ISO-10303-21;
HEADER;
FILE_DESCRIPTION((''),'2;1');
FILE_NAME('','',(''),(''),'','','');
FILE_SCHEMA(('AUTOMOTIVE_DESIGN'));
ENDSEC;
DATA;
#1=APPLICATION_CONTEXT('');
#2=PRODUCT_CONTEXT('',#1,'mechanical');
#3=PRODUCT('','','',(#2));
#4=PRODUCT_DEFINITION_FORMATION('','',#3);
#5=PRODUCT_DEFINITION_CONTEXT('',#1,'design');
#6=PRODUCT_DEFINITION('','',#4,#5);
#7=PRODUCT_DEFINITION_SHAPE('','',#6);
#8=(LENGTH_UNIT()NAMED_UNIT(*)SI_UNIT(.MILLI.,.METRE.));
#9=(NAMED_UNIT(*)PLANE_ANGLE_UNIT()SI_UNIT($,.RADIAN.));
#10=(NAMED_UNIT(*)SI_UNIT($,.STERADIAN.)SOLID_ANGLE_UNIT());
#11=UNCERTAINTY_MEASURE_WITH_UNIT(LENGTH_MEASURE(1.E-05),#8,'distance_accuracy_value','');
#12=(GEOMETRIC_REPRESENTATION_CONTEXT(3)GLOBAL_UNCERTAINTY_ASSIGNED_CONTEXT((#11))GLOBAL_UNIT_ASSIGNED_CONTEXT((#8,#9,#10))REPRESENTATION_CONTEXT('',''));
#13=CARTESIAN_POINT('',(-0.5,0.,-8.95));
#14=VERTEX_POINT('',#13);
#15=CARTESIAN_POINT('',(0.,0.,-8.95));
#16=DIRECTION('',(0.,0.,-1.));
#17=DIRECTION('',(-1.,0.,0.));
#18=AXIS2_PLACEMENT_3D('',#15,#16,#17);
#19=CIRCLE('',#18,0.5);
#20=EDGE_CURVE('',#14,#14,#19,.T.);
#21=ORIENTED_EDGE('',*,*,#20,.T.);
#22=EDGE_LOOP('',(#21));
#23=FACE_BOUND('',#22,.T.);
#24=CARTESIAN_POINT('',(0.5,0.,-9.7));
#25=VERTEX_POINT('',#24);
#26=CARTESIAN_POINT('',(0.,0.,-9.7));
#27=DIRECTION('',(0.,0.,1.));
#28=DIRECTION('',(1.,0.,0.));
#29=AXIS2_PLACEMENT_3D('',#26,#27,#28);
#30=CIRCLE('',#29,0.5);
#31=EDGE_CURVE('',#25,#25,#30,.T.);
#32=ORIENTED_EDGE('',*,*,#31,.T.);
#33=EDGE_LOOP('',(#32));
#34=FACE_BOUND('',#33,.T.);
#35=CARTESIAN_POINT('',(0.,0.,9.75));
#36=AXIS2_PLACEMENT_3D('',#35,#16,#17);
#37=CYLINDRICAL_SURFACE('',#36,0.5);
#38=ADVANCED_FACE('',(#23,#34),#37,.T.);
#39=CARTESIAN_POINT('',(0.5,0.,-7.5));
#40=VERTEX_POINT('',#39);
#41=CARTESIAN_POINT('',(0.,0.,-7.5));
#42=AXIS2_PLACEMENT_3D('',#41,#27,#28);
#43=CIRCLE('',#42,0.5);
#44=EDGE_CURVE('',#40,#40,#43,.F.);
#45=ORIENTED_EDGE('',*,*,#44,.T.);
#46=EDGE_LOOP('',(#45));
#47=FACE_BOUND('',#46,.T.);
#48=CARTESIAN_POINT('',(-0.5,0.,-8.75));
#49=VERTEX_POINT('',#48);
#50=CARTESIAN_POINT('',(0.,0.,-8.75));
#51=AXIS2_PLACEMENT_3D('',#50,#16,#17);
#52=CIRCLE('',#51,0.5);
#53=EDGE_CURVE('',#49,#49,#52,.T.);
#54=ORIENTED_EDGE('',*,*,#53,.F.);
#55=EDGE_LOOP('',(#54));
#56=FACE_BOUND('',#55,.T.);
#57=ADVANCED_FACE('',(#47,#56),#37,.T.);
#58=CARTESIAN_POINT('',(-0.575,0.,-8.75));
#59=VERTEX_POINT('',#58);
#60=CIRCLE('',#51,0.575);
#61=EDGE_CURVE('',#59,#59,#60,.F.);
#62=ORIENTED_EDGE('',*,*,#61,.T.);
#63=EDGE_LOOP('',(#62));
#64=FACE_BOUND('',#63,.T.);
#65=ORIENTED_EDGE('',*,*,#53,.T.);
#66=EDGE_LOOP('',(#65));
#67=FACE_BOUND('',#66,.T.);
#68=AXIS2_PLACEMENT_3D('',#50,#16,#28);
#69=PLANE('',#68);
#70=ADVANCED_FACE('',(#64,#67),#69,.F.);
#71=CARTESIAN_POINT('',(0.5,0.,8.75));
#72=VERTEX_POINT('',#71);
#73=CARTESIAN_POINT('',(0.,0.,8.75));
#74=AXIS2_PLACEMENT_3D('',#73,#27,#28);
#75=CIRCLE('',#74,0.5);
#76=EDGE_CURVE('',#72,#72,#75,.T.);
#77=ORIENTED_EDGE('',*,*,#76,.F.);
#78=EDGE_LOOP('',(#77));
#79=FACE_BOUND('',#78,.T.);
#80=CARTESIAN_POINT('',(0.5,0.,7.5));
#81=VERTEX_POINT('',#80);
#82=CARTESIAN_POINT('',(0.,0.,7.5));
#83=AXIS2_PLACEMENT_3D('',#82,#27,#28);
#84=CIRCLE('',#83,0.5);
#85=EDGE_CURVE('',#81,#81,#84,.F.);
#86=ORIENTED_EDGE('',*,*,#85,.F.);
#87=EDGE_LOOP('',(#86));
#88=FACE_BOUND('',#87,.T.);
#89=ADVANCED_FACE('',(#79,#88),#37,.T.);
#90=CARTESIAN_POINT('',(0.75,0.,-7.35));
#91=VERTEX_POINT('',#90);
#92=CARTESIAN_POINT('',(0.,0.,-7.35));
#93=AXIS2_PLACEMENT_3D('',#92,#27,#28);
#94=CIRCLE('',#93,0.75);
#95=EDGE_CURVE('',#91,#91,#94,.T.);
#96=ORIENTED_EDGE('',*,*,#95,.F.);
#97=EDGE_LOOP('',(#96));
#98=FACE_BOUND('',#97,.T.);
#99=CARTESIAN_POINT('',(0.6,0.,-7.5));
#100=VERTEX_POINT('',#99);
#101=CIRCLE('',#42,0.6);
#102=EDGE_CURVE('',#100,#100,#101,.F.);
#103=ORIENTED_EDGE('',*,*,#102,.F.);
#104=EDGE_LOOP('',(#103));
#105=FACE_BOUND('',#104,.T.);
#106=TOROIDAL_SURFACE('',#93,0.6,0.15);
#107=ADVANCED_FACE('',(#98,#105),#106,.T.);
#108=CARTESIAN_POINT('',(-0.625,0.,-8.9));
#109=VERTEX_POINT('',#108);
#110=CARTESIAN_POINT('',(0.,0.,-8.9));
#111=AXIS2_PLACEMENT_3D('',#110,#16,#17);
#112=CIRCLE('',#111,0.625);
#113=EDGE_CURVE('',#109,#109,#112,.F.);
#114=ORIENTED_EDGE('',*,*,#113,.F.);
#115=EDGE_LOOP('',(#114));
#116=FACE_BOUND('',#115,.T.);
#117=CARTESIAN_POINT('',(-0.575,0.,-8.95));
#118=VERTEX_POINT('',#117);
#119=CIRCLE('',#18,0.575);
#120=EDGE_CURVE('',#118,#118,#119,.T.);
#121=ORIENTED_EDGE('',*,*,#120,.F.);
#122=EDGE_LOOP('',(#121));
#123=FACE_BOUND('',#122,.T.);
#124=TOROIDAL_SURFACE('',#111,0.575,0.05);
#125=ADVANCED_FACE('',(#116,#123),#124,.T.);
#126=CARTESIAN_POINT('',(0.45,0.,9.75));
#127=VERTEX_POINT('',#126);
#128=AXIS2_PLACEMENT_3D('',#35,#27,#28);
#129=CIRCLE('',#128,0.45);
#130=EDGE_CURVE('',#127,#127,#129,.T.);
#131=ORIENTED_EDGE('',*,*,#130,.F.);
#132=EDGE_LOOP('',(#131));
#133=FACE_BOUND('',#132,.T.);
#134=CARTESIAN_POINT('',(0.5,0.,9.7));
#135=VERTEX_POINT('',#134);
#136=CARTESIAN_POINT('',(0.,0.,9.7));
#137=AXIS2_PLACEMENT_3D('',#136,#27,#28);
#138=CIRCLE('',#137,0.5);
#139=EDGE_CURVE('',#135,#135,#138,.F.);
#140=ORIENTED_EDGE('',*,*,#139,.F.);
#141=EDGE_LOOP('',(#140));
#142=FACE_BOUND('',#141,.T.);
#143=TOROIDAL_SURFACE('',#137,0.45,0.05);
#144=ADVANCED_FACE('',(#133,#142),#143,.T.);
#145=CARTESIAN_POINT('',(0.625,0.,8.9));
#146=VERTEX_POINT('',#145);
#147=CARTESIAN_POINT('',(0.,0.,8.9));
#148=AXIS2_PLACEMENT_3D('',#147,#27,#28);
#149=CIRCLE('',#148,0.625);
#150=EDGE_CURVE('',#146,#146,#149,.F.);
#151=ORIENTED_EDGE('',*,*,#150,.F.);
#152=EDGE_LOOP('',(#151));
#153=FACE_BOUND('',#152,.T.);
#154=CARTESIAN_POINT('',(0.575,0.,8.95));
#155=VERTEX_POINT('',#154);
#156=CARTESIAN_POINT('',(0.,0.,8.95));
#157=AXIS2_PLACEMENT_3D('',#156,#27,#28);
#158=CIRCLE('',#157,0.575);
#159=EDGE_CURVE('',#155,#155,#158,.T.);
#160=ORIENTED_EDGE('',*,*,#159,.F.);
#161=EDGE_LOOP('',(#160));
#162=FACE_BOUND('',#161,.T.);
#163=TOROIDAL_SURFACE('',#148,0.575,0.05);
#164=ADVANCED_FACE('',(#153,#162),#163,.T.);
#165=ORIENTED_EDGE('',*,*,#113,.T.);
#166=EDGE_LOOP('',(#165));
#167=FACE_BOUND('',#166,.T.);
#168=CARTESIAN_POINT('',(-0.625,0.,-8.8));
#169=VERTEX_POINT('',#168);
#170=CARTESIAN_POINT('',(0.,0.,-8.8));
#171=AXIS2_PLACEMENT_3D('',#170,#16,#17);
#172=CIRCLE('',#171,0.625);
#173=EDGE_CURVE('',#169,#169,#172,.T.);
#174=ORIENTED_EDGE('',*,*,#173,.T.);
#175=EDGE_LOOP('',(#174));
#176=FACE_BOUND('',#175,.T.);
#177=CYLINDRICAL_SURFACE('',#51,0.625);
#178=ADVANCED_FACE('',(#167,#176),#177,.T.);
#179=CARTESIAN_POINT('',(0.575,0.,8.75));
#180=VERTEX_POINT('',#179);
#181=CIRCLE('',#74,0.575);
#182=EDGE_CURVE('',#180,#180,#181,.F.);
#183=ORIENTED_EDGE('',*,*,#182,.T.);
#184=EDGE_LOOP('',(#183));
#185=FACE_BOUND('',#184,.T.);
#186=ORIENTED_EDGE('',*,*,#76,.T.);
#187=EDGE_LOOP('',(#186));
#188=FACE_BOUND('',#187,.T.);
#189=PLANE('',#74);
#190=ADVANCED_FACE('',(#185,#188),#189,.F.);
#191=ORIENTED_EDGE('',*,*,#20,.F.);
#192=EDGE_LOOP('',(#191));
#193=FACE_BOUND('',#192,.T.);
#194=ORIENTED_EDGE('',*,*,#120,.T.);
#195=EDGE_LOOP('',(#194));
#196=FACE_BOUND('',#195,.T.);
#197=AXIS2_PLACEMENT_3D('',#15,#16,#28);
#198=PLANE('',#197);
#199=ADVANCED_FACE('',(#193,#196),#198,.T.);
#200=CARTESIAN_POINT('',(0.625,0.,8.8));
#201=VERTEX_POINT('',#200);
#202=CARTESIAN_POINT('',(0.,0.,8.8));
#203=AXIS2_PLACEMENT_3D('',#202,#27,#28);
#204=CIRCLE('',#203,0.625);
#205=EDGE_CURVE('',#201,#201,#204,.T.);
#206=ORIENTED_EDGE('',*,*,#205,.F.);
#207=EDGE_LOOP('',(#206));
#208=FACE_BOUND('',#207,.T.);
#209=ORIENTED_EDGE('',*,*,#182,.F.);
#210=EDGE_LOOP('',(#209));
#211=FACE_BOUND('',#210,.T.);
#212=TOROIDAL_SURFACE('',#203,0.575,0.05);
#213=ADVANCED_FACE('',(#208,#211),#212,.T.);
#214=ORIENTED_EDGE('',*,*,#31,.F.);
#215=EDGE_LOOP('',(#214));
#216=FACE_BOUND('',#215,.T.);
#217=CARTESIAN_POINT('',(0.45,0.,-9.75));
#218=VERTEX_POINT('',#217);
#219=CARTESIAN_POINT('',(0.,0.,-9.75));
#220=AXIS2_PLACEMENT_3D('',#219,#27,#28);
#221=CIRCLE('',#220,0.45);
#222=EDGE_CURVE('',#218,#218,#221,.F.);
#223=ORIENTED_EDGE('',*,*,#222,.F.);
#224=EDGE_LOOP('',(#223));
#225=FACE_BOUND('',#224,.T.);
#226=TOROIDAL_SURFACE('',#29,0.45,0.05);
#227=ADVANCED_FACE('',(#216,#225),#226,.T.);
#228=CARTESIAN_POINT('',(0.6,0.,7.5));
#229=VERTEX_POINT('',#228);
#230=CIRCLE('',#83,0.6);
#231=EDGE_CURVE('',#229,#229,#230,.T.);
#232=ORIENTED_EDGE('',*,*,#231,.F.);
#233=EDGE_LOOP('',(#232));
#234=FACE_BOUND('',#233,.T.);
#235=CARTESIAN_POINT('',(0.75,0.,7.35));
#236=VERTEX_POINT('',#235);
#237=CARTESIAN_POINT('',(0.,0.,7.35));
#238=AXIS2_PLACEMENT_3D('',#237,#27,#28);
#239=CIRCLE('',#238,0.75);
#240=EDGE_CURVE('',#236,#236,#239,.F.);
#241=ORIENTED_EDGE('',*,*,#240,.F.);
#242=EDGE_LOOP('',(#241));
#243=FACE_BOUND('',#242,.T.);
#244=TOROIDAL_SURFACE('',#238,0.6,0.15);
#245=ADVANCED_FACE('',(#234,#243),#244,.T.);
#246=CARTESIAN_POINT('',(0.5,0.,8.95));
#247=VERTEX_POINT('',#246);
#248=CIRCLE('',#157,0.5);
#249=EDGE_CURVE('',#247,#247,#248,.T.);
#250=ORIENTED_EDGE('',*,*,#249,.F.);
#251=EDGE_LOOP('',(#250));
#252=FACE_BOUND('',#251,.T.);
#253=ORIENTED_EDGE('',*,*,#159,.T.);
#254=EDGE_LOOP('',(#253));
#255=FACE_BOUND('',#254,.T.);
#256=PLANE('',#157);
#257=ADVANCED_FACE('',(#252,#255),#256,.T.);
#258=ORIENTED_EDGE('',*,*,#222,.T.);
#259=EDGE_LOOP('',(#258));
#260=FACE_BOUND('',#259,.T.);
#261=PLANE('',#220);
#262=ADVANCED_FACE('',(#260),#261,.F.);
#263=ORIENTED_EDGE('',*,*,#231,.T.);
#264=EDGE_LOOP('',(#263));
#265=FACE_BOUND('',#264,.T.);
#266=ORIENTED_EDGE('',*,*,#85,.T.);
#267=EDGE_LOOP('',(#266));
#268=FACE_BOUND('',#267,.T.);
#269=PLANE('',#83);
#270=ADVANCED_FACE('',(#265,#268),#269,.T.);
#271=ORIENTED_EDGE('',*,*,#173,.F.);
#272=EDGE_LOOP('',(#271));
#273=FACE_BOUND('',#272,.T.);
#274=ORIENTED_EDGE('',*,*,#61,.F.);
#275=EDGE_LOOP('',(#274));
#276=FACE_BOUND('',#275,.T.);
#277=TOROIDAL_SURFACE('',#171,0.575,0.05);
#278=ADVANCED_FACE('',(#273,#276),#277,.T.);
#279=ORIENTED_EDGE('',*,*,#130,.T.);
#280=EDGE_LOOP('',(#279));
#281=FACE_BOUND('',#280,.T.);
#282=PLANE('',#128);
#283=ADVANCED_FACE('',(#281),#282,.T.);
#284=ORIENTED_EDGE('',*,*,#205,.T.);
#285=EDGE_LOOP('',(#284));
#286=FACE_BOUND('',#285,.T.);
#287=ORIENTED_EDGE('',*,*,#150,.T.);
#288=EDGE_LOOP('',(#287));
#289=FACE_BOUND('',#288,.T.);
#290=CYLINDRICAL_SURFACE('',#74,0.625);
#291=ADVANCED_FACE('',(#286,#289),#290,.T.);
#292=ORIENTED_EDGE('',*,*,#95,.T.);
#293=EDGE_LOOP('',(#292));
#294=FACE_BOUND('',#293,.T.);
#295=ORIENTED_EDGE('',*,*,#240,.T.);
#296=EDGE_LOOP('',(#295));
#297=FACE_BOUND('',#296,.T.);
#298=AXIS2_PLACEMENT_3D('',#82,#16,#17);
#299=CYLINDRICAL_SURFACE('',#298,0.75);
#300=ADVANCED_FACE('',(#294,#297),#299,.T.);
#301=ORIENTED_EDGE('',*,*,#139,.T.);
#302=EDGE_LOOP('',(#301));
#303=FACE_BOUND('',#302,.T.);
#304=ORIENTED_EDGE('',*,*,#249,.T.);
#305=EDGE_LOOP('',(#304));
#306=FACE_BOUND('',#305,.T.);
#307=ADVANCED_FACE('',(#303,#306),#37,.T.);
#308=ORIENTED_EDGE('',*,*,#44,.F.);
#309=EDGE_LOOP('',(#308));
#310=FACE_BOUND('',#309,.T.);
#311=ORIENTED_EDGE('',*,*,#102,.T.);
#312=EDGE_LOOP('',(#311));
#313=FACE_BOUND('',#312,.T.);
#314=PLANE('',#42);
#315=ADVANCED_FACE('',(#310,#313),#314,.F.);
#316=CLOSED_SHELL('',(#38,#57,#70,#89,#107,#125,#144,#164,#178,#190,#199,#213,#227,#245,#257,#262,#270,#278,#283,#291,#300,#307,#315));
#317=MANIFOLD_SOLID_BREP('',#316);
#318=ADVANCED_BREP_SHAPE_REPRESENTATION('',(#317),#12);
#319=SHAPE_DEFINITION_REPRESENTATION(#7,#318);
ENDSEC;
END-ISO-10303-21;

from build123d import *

# Parameters (mm, degrees)
SKETCH1_R            = 0.75
BOSS_EXTRUDE1_DEPTH  = 7.5
SKETCH2_R            = 0.5
BOSS_EXTRUDE2_DEPTH  = 9.75
FILLET1_R            = 0.15
FILLET2_R            = 0.05
BOSS_EXTRUDE3_START  = -0.8
SKETCH3_R            = 0.625
BOSS_EXTRUDE3_DEPTH  = 0.2
FILLET3_R            = 0.05
FILLET3_OF_MIRROR1_R = 0.05


with BuildPart() as part:
    # Sketch1 → Boss-Extrude1 (new body, symmetric)
    with BuildSketch(Plane.XY):
        Circle(SKETCH1_R)
    extrude(amount=BOSS_EXTRUDE1_DEPTH, both=True)

    # Sketch2 → Boss-Extrude2 (add, symmetric)
    with BuildSketch(Plane.XY):
        Circle(SKETCH2_R)
    extrude(amount=BOSS_EXTRUDE2_DEPTH, both=True)

    # Fillet1
    fillet1_edges = [part.edges().sort_by_distance(p)[0] for p in [
        (-0.75, 0, -7.5),
        (-0.75, 0, 7.5),
    ]]
    fillet(fillet1_edges, radius=FILLET1_R)

    # Fillet2
    fillet2_edges = [part.edges().sort_by_distance(p)[0] for p in [
        (-0.5, 0, -9.75),
        (-0.5, 0, 9.75),
    ]]
    fillet(fillet2_edges, radius=FILLET2_R)

    # Sketch3 → Boss-Extrude3 (add)
    with BuildSketch(Plane.XY.offset(9.75).offset(BOSS_EXTRUDE3_START)):
        Circle(SKETCH3_R)
    boss_extrude3 = extrude(amount=-BOSS_EXTRUDE3_DEPTH)

    # Fillet3
    fillet3_edges = [part.edges().sort_by_distance(p)[0] for p in [
        (-0.625, 0, 8.95),
        (-0.625, 0, 8.75),
    ]]
    fillet(fillet3_edges, radius=FILLET3_R)

    # Mirror1: Boss-Extrude3 across plane
    add(boss_extrude3.mirror(Plane.XY))

    # Fillet3 of Mirror1
    fillet3_of_mirror1_edges = [part.edges().sort_by_distance(p)[0] for p in [
        (-0.625, 0, -8.95),
        (-0.625, 0, -8.75),
    ]]
    fillet(fillet3_of_mirror1_edges, radius=FILLET3_OF_MIRROR1_R)


solid = part.part
